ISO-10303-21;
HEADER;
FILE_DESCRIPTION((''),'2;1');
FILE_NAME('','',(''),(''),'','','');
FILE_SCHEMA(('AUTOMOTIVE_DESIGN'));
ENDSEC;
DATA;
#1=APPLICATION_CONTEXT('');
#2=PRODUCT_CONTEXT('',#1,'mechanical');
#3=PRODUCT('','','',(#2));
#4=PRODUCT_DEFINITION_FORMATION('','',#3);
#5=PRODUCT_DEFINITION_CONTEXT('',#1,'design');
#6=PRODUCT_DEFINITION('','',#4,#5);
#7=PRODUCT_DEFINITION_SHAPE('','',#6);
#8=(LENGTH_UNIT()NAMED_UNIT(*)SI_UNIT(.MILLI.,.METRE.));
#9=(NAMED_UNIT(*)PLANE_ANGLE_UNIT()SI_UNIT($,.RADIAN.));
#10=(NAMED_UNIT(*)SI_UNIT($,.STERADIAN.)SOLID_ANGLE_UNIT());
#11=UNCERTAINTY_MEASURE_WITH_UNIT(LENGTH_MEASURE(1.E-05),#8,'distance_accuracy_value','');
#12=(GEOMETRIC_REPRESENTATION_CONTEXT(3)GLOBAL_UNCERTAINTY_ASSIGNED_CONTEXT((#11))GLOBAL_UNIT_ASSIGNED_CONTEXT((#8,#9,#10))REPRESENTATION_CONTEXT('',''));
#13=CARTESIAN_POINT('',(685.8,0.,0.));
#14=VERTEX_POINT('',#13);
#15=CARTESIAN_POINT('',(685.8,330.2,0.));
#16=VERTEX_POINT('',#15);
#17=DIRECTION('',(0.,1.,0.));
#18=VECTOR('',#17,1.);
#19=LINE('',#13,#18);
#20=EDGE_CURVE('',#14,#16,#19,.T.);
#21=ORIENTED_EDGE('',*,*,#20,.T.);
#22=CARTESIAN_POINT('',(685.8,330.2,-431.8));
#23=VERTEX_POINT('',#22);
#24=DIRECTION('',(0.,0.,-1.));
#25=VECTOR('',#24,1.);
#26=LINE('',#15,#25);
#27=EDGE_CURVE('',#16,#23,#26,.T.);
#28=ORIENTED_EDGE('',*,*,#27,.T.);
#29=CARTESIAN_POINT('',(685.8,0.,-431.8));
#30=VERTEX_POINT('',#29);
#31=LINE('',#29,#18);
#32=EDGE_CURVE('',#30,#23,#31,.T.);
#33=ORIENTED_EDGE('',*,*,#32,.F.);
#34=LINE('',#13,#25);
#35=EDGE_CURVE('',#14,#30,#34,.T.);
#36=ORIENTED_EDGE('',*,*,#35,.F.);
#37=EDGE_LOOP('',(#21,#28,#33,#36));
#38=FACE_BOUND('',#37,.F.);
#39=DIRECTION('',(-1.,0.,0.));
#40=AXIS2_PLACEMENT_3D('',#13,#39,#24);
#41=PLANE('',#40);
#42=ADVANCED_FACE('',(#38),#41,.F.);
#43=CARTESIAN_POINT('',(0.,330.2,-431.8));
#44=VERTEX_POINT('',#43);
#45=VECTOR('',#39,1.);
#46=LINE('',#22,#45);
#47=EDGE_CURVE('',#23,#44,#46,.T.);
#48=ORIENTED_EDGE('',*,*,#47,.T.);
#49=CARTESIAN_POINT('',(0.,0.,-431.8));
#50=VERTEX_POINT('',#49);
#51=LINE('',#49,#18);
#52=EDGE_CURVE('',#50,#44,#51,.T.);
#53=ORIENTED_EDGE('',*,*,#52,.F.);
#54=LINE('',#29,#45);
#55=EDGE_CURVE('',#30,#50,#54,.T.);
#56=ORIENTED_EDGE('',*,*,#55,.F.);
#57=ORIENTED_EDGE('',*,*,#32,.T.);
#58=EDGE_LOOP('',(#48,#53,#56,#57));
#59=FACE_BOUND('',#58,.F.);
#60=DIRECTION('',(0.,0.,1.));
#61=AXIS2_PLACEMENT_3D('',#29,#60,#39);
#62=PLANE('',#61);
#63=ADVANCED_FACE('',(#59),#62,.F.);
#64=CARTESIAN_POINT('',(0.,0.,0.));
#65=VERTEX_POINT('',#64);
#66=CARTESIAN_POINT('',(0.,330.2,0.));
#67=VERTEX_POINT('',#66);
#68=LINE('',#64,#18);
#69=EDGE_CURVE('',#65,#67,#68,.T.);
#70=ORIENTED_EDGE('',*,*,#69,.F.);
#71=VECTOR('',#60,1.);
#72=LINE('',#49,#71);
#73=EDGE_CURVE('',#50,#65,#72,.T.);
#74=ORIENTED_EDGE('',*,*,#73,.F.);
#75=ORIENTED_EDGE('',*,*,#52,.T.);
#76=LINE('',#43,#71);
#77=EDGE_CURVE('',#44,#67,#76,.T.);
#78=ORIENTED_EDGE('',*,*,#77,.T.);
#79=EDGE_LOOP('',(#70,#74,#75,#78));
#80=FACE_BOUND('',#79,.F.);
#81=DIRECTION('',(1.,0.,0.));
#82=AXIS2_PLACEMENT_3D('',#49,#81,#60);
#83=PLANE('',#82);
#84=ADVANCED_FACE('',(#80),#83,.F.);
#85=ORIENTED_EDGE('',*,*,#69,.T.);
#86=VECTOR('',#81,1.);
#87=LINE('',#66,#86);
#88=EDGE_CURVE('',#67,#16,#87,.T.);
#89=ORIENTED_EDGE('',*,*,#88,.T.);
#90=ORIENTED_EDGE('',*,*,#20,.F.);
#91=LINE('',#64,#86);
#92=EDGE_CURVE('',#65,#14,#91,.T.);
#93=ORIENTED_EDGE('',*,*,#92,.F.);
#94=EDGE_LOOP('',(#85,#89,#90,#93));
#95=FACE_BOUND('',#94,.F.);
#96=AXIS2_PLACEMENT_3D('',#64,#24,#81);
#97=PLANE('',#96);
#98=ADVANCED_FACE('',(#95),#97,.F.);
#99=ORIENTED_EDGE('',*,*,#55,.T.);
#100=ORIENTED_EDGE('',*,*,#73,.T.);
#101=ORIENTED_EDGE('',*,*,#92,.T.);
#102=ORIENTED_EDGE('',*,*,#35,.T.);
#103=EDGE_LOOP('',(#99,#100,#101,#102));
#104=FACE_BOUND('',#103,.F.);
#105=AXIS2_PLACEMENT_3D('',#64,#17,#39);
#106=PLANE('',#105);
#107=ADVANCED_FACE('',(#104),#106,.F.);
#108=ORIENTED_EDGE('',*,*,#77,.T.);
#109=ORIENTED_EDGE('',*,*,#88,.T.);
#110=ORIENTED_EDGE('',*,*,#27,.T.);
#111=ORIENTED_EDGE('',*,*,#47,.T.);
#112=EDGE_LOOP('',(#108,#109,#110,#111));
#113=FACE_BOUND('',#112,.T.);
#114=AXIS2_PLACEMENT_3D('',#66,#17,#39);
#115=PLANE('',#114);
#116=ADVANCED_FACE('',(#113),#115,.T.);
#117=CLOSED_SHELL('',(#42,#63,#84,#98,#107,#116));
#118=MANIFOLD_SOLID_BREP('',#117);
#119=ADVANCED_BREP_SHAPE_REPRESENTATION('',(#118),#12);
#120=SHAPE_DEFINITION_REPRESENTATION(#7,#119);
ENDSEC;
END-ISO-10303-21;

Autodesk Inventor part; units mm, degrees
ref_plane "YZ Plane" through (0, 0, 0) normal (1, 0, 0) x (0, 1, 0)
ref_plane "XZ Plane" through (0, 0, 0) normal (0, 1, 0) x (-1, 0, 0)
ref_plane "XY Plane" through (0, 0, 0) normal (0, 0, 1) x (1, 0, 0)
sketch "Sketch1" plane through (0, 0, 0) normal (0, 1, 0) x (-1, 0, 0)
  line L0 (0, 0) -> (-685.8, 0)
  line L1 (-685.8, 0) -> (-685.8, -431.8)
  line L2 (-685.8, -431.8) -> (0, -431.8)
  line L3 (0, -431.8) -> (0, 0)
  dimension "d0" = 685.8
  dimension "d1" = 431.8
extrude "Extrusion1" add sketch "Sketch1" along normal blind 330.2
properties part number "BIN"
